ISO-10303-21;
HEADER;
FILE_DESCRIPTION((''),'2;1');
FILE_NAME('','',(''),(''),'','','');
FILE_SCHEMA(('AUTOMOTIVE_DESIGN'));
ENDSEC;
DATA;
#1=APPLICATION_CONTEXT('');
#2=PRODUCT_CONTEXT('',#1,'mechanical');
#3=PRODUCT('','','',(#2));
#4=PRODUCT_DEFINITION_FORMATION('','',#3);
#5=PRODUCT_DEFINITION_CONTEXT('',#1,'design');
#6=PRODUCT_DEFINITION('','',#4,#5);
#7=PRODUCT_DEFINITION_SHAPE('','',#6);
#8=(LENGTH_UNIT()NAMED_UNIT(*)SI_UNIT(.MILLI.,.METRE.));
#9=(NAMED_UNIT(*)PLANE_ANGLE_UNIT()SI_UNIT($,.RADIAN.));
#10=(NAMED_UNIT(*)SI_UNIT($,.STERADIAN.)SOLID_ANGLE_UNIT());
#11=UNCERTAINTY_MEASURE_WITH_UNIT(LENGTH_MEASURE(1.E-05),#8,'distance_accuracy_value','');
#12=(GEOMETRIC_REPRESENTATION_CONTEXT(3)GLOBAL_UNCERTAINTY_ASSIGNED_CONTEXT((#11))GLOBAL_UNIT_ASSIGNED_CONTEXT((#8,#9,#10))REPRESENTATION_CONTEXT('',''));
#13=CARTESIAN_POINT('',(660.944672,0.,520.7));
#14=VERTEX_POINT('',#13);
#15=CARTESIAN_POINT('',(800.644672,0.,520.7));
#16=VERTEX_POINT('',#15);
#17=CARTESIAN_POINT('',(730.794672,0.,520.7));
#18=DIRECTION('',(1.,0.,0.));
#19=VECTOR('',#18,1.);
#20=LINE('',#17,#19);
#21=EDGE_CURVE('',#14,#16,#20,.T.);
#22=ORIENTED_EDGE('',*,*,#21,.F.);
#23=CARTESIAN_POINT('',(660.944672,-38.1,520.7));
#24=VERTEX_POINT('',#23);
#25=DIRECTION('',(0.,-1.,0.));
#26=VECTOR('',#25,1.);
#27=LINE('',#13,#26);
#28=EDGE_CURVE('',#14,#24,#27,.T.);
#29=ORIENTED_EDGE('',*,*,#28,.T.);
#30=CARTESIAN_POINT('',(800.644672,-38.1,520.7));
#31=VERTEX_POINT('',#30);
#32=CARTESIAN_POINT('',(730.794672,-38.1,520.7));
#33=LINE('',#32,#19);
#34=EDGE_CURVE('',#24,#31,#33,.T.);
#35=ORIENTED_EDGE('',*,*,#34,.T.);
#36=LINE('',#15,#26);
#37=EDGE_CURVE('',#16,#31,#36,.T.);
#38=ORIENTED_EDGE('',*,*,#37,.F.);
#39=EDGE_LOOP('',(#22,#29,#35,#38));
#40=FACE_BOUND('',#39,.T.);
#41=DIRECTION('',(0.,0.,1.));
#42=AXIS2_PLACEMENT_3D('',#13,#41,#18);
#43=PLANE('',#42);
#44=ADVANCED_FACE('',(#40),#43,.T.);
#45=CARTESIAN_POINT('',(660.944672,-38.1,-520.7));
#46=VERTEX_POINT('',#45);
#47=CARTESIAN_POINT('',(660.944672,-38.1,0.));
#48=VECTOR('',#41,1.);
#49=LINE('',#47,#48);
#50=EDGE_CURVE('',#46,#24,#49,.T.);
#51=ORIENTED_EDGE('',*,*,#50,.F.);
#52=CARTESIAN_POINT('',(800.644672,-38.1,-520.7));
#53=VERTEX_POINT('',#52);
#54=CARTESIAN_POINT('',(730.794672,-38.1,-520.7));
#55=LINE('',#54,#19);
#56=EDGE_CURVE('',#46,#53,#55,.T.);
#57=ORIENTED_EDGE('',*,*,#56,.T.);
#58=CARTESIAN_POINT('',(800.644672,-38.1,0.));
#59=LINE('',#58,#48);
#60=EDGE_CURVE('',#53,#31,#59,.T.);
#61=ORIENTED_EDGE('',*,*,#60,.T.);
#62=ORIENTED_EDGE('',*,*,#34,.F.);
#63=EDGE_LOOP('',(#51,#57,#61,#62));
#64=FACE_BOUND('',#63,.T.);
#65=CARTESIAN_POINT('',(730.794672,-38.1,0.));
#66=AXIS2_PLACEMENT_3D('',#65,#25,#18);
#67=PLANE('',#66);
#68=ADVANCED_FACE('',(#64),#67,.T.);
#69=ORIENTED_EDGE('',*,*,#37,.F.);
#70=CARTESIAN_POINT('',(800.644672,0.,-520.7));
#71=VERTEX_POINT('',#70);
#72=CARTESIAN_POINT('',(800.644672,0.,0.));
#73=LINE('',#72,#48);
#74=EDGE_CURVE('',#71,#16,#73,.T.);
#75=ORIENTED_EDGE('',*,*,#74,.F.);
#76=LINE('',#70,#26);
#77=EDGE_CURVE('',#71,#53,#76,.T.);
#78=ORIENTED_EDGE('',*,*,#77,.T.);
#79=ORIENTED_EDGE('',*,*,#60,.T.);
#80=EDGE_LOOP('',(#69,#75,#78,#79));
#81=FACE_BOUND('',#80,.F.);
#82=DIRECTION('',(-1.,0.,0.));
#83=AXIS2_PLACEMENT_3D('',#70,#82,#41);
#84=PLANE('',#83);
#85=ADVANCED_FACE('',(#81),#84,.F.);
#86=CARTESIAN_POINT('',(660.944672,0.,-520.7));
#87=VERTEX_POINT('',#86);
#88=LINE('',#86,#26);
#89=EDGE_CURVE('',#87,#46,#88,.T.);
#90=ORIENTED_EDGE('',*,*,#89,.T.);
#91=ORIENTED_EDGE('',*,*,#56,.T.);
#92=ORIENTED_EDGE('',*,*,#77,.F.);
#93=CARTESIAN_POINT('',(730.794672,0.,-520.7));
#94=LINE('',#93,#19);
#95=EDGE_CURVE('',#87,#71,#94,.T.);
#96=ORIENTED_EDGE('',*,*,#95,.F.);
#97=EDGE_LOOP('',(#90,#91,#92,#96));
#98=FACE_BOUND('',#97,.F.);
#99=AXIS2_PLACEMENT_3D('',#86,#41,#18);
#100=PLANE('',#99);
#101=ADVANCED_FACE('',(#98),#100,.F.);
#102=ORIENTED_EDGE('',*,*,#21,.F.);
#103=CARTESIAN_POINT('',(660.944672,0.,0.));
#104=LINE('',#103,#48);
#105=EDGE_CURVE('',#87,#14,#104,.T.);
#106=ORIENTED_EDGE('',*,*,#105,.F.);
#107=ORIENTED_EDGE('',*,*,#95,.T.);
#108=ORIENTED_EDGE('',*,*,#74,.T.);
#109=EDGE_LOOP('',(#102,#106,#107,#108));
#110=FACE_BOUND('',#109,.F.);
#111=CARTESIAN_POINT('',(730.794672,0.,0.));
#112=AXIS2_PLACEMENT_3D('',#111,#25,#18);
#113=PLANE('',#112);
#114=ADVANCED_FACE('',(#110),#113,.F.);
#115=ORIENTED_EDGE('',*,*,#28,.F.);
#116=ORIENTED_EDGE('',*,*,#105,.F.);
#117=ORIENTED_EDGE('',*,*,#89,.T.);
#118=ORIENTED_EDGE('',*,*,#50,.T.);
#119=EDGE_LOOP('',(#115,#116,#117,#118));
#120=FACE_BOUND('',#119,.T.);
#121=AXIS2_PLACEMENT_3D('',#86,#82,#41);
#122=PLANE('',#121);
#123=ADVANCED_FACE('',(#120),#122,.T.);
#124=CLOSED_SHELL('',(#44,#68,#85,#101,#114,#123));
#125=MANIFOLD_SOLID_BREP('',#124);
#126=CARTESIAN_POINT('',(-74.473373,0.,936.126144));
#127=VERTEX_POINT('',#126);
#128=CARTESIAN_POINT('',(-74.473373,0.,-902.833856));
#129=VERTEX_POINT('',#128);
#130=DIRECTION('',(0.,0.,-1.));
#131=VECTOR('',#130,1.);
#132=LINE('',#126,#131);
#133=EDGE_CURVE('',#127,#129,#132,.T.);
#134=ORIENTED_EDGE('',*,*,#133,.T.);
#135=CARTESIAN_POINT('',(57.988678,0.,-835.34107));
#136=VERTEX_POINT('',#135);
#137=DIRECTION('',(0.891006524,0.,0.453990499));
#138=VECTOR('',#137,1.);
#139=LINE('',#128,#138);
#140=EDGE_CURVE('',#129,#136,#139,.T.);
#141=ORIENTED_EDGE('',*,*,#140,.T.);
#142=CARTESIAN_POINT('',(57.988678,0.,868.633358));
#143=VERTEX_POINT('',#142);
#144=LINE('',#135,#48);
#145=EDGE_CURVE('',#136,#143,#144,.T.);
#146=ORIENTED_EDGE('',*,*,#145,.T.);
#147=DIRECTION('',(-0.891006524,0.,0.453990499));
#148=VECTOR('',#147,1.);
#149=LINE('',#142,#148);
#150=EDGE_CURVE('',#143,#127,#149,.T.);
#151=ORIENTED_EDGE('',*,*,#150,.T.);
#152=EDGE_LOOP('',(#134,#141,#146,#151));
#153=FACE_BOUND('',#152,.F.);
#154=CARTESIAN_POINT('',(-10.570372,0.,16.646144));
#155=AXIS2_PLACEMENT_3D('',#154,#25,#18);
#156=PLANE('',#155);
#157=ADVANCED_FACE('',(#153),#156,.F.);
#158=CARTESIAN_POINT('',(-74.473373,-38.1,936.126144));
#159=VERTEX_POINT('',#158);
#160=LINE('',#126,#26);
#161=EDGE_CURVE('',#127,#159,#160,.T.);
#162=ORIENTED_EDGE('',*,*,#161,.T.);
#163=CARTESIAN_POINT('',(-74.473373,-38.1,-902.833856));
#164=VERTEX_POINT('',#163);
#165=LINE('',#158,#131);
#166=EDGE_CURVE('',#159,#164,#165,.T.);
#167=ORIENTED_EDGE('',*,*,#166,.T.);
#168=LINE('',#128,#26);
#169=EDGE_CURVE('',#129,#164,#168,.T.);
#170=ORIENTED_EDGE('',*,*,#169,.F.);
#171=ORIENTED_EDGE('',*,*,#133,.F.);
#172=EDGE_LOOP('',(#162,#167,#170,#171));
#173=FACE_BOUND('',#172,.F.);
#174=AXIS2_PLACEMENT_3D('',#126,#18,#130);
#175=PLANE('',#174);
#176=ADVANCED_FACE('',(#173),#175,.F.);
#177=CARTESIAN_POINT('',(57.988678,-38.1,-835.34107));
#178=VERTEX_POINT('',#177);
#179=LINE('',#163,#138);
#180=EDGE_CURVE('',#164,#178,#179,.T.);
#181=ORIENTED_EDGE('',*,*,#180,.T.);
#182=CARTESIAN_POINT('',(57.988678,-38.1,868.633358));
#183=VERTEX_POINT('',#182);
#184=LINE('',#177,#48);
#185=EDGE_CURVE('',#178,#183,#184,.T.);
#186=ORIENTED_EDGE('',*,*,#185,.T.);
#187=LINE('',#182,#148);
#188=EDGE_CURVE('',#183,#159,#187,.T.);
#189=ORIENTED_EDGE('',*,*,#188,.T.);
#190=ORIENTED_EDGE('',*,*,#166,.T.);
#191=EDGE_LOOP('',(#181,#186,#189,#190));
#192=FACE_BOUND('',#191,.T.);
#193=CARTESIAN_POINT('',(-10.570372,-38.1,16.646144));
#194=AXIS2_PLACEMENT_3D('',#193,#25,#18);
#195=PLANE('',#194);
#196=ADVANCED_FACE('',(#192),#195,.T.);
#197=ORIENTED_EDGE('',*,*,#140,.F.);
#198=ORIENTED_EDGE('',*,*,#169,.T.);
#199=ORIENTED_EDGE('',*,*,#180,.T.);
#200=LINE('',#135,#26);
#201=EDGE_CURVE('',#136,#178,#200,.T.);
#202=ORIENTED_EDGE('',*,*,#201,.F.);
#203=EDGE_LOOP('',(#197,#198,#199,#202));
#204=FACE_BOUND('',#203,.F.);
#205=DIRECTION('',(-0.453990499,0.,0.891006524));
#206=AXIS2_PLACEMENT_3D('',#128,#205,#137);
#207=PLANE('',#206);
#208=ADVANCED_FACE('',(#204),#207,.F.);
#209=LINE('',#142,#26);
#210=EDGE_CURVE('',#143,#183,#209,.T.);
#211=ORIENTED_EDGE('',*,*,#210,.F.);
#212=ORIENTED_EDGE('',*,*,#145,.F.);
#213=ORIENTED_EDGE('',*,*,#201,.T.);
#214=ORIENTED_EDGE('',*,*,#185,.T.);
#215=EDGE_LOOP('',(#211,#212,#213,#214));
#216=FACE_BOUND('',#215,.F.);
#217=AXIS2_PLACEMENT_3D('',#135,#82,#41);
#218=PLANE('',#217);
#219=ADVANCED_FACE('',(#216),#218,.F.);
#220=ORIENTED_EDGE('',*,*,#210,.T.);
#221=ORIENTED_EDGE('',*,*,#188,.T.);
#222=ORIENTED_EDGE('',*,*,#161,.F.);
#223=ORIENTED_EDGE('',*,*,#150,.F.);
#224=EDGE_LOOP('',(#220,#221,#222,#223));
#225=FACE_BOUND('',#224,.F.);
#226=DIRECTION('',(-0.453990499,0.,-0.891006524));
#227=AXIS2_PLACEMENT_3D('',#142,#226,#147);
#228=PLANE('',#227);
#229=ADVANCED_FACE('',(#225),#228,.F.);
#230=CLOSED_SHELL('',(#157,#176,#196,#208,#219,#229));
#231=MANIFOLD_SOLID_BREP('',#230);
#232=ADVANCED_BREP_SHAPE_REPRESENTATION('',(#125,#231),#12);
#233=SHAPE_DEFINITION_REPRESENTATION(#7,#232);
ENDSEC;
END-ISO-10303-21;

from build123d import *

# Parameters (mm, degrees)
F1_DEPTH = 38.1
F2_W     = 139.7
F2_H     = 1041.4
F3_DEPTH = 38.1


with BuildPart() as f1:
    # F0 (on Front) → F1 (new body)
    with BuildSketch(Plane.XZ):
        Polygon((-74.473373, -902.833856), (57.988678, -835.34107), (57.988678, 868.633358), (-74.473373, 936.126144), align=None)
    extrude(amount=F1_DEPTH)


with BuildPart() as f3:
    # F2 (on Front) → F3 (new body)
    with BuildSketch(Plane.XZ):
        with Locations((730.794672, 0)):
            Rectangle(F2_W, F2_H)
    extrude(amount=F3_DEPTH)


solid = Compound([f1.part, f3.part])
